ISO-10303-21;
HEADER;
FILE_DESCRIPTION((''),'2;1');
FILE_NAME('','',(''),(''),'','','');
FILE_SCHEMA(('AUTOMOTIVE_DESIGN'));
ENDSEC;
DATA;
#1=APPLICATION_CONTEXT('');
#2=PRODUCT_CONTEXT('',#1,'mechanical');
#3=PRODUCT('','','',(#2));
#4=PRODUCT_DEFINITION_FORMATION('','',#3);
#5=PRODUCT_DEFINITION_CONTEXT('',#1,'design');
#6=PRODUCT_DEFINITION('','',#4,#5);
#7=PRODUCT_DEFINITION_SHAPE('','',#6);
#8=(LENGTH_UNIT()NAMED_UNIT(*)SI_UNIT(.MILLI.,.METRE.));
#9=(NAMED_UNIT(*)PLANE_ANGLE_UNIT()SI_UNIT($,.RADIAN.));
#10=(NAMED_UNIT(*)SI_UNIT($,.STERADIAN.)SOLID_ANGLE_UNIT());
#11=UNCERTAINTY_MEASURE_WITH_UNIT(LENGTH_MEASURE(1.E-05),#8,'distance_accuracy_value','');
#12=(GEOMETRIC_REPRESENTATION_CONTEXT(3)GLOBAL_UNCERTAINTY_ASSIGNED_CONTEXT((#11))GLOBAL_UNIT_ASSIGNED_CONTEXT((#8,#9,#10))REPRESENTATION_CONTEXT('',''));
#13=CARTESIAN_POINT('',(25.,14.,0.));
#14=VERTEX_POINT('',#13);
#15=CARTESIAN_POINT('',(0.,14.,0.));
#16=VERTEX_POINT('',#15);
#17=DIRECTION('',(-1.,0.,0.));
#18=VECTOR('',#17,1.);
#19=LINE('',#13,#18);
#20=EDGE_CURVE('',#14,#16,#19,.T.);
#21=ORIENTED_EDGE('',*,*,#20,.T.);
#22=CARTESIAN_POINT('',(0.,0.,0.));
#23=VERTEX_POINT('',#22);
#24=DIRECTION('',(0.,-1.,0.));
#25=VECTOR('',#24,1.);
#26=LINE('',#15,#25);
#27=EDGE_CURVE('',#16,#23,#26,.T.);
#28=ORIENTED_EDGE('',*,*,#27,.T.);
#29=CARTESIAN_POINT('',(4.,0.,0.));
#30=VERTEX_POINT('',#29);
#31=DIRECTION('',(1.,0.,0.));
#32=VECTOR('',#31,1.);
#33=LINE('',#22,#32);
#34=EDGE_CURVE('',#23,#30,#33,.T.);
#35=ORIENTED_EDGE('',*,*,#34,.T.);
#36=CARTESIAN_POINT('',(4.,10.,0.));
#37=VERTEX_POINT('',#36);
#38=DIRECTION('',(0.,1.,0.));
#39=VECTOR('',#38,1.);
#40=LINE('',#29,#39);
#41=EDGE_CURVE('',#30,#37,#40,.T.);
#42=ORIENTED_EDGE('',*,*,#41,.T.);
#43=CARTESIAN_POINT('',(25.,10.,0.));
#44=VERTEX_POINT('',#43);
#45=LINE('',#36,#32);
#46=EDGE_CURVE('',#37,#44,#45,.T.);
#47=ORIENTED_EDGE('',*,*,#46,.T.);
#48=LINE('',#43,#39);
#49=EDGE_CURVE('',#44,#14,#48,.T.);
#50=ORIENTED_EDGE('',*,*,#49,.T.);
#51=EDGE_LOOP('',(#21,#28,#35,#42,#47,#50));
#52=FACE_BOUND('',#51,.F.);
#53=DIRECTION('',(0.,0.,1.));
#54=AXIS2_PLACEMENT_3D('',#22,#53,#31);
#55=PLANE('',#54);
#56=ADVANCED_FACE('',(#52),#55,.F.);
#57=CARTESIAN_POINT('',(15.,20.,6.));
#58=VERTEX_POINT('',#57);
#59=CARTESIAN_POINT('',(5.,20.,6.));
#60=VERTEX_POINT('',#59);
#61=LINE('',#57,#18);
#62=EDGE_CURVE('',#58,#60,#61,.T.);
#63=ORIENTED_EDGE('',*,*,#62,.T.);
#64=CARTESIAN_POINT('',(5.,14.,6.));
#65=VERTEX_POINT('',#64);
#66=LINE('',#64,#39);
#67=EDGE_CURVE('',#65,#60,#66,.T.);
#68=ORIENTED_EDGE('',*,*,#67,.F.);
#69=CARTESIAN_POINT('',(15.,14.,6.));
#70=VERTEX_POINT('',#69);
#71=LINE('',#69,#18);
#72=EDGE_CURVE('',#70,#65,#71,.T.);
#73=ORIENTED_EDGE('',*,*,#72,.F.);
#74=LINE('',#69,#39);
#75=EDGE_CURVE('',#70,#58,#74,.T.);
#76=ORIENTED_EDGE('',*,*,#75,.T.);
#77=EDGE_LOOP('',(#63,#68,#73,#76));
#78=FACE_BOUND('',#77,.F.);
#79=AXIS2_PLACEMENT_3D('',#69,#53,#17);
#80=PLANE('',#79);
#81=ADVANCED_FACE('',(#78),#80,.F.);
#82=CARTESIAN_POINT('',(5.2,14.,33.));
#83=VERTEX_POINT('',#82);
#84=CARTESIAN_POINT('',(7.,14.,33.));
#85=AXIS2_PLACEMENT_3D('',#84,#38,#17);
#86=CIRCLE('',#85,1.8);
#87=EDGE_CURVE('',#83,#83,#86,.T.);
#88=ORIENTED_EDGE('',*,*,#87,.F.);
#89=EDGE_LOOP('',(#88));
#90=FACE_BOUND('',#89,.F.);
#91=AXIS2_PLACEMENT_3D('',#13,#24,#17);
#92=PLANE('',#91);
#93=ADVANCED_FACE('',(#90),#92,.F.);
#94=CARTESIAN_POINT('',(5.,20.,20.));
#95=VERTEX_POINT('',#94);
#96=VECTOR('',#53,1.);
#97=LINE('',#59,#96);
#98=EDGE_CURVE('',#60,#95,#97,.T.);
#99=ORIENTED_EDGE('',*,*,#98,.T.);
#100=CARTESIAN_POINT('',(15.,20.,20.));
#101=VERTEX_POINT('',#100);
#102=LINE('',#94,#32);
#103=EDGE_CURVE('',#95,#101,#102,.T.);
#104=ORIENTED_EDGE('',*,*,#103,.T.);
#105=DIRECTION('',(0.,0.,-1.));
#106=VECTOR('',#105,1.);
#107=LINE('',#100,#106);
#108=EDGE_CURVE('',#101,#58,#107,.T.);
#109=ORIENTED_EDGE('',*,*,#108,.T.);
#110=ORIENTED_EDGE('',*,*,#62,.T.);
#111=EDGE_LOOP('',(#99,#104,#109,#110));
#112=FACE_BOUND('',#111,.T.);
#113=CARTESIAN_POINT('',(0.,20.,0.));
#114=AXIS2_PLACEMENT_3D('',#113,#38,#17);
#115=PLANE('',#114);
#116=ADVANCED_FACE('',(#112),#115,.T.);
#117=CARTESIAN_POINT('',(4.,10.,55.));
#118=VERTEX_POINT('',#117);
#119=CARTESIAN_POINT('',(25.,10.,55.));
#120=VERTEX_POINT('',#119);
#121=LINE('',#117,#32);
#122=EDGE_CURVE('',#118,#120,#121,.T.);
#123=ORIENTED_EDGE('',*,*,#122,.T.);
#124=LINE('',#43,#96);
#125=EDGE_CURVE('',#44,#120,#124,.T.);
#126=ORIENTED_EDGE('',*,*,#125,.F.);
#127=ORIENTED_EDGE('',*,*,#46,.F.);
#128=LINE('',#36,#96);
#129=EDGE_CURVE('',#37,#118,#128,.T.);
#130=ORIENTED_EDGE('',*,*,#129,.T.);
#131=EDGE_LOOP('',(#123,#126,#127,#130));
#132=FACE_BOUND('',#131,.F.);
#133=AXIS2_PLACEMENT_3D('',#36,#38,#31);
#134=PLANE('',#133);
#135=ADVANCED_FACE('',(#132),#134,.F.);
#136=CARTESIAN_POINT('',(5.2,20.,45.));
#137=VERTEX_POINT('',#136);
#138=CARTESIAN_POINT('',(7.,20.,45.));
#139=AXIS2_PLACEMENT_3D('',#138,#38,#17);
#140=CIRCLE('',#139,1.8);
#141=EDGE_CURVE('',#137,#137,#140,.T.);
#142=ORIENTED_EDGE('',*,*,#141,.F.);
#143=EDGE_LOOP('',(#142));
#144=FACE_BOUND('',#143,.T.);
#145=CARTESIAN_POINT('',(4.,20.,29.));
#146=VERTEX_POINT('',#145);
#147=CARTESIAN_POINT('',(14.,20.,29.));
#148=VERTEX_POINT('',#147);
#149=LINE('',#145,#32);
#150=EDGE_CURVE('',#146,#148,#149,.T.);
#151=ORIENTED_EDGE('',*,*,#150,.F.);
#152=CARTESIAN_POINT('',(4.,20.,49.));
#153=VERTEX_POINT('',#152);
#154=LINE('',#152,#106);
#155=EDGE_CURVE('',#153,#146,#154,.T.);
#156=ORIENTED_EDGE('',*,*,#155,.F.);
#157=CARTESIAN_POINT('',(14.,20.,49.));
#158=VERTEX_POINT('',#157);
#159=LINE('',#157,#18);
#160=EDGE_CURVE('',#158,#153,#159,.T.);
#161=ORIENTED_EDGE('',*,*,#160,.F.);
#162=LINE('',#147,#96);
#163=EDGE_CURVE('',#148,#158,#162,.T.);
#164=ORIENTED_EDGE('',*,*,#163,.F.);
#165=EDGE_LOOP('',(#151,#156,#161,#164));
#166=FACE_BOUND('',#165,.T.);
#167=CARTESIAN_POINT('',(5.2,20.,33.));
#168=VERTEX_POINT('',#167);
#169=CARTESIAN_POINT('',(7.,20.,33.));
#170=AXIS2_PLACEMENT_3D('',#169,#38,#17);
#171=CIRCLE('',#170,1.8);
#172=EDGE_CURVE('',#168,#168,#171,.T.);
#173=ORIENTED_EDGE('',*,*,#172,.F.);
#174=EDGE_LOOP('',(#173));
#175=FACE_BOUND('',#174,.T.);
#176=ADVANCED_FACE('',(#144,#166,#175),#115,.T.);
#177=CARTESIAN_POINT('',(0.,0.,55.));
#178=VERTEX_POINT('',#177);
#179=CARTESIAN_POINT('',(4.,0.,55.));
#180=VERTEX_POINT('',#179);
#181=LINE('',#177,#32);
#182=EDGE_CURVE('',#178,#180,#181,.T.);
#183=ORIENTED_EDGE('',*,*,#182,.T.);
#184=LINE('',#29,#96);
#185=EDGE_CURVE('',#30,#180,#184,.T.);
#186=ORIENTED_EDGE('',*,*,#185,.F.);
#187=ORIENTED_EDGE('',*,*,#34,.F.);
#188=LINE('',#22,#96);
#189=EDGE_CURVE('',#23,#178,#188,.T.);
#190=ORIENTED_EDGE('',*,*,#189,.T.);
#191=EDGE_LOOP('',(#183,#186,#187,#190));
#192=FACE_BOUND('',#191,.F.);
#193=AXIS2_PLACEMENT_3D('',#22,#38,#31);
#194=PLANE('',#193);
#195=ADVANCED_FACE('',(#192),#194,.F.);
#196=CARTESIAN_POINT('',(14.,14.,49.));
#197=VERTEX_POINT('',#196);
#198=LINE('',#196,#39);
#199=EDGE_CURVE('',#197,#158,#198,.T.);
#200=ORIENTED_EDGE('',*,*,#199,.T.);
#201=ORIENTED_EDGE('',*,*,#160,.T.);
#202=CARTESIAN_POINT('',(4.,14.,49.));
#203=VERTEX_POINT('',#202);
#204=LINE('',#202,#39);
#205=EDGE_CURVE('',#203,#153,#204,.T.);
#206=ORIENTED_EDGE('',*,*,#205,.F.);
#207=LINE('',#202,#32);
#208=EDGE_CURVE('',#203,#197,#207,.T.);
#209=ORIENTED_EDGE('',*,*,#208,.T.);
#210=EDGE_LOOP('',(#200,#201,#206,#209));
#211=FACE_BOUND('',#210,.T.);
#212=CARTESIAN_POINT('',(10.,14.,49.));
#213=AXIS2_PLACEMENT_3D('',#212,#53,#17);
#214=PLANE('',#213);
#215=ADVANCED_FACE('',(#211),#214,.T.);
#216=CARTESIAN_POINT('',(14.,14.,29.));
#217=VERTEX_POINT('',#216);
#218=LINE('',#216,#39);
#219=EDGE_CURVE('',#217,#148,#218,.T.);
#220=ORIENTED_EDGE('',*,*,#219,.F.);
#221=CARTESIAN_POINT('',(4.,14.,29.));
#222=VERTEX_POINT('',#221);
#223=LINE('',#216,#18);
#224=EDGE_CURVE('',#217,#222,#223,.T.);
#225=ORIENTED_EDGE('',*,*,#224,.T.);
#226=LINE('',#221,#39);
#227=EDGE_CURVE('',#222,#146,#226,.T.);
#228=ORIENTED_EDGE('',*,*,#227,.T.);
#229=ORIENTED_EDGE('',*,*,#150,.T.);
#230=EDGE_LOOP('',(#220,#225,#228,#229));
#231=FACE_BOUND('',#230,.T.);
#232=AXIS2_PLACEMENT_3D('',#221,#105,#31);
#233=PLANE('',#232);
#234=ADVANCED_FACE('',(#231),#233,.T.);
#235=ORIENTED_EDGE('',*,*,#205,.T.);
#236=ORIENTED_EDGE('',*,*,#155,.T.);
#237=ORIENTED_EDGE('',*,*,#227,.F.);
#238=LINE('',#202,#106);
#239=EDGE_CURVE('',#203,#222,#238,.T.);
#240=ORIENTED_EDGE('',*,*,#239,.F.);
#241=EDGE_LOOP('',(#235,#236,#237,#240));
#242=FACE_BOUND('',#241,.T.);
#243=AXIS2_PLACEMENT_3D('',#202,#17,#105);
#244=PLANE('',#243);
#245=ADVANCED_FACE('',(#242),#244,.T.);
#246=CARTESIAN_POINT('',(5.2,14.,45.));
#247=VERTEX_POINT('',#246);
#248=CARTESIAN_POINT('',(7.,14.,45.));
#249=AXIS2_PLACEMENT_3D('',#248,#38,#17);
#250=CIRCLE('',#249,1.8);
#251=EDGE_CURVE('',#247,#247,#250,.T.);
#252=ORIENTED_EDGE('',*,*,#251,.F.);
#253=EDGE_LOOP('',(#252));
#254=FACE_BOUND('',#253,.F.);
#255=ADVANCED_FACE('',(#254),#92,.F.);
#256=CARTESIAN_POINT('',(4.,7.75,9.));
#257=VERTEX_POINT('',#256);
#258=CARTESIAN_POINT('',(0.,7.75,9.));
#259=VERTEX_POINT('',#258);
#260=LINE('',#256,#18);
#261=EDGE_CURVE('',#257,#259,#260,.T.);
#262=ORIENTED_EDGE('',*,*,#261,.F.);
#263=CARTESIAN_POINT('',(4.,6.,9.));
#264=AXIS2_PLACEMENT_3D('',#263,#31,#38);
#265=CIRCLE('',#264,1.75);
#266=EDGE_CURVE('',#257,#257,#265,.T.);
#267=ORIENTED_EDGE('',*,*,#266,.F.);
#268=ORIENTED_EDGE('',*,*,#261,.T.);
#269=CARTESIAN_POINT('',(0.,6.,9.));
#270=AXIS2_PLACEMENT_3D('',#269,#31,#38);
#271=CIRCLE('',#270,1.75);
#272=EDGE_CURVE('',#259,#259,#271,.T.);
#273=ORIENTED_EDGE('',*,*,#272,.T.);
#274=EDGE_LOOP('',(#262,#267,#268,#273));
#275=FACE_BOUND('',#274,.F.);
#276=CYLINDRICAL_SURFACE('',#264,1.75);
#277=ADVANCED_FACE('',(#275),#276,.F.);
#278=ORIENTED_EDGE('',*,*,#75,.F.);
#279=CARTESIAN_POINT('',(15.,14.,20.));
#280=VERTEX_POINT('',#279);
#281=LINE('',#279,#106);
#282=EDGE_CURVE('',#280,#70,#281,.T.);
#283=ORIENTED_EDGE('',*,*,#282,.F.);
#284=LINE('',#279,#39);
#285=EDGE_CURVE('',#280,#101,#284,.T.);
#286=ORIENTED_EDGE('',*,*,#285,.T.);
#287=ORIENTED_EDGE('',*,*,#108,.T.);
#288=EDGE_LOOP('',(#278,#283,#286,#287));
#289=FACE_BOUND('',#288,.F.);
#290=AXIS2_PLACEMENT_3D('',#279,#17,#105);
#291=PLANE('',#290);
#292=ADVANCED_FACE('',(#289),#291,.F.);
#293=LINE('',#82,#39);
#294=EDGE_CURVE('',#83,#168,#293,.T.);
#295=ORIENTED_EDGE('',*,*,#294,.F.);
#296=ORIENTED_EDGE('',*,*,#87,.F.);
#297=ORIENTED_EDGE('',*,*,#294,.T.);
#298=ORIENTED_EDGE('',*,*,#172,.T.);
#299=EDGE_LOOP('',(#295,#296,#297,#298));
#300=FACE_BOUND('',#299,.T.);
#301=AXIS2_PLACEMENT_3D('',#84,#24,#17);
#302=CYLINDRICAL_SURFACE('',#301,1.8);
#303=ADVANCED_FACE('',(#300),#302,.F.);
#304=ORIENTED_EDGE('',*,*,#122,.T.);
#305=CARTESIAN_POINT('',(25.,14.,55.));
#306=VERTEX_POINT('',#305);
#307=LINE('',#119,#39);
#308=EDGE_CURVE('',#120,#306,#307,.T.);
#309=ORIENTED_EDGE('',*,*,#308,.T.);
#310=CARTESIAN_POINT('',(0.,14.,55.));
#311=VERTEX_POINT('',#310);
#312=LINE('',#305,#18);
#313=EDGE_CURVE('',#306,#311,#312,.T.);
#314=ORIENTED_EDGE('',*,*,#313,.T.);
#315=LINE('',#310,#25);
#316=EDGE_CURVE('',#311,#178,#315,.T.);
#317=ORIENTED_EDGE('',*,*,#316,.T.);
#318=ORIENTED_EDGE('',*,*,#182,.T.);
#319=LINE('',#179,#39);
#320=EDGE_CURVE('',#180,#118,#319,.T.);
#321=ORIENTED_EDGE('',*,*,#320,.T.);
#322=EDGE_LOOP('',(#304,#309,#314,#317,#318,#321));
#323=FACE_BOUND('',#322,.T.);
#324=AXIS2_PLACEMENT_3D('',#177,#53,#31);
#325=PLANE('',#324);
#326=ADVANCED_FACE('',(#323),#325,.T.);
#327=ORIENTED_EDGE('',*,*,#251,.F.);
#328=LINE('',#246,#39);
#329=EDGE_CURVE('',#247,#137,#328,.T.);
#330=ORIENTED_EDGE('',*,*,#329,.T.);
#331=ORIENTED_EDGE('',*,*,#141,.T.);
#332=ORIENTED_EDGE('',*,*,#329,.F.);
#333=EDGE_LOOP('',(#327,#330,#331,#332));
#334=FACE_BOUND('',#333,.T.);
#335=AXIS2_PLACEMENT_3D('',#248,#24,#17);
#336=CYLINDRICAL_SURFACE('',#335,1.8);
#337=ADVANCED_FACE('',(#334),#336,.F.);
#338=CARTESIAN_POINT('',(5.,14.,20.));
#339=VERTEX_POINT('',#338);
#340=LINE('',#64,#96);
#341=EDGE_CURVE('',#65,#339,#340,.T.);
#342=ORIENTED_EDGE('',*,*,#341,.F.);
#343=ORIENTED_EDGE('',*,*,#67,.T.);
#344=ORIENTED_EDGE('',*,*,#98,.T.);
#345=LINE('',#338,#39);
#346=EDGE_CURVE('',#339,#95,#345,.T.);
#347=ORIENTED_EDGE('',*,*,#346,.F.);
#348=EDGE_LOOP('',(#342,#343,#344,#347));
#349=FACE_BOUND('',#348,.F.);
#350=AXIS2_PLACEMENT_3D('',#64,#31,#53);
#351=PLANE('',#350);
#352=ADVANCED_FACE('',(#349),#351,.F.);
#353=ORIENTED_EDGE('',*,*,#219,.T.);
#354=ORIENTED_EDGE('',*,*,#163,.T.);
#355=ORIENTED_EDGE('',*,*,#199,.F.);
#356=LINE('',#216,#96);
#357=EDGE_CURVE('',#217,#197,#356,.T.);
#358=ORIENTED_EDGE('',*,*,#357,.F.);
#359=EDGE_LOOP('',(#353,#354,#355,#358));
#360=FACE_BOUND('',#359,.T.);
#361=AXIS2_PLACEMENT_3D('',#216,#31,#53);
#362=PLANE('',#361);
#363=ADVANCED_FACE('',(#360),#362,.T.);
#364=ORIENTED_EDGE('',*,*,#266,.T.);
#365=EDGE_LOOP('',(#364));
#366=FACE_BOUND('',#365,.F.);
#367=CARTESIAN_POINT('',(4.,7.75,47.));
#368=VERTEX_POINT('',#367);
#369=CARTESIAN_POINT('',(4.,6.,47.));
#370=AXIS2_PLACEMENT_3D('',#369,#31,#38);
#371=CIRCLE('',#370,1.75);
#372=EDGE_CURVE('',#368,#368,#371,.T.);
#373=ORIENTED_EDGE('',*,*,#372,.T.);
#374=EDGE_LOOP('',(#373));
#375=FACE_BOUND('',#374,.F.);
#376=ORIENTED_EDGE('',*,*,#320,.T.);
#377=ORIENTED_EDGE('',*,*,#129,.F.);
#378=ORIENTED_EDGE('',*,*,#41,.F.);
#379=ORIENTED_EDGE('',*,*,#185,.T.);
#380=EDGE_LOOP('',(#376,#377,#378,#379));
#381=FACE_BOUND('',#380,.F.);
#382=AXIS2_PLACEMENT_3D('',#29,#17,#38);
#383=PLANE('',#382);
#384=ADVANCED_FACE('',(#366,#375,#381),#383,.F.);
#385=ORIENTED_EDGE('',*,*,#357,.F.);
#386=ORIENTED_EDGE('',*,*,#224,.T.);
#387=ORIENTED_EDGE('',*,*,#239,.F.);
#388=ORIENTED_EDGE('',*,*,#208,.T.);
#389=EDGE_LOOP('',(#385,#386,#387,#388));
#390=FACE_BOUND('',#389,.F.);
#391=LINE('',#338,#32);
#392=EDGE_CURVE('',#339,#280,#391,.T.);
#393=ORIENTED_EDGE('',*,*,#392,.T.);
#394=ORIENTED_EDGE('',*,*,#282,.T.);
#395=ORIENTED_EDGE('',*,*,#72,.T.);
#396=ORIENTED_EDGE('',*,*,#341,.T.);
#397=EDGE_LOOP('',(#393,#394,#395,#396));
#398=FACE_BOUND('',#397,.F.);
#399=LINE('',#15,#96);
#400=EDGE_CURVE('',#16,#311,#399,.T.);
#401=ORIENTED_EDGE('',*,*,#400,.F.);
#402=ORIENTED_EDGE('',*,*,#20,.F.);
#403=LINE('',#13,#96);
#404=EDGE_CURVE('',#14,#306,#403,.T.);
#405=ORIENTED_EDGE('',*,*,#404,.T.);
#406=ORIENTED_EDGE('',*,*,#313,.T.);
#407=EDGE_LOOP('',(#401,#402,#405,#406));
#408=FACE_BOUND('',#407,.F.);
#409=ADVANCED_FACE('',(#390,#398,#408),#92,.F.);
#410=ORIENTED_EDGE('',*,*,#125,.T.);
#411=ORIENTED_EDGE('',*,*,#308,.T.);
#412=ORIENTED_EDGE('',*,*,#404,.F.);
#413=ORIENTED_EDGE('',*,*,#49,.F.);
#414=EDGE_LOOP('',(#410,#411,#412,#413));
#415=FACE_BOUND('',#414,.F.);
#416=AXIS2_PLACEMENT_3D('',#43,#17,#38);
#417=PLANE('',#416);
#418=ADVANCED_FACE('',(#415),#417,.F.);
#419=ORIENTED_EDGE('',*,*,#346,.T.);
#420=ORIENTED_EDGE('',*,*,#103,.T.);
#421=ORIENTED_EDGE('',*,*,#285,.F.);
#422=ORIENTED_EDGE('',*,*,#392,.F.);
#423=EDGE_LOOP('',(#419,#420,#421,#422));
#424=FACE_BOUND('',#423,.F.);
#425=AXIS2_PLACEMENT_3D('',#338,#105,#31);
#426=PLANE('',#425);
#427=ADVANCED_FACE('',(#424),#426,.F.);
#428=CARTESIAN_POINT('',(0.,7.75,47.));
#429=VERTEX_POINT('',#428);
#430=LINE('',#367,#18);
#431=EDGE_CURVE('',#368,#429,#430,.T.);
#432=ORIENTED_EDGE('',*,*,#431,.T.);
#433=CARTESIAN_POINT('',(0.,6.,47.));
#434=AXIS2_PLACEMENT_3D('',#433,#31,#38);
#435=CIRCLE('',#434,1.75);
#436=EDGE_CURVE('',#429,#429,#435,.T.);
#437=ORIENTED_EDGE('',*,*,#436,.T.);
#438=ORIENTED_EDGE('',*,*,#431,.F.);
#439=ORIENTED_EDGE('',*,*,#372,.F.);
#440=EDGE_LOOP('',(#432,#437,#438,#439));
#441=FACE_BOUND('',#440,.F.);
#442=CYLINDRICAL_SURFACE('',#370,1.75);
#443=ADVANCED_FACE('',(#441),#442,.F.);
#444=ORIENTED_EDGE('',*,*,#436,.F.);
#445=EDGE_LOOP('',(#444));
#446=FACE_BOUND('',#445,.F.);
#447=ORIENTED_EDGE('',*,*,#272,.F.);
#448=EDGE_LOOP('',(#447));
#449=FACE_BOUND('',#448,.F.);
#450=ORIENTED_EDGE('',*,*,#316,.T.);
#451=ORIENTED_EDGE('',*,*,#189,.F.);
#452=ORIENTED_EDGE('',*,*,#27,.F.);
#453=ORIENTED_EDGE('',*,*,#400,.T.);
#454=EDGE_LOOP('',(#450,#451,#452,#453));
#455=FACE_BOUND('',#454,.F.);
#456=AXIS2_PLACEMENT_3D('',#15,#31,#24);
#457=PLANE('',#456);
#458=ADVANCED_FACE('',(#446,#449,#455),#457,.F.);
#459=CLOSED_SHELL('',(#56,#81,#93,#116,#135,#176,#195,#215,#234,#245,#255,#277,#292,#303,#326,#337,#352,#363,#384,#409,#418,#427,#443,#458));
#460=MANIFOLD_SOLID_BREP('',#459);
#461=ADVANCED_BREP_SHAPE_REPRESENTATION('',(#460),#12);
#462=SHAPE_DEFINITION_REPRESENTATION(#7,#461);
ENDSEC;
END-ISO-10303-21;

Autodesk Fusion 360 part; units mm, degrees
sketch "Szkic3" plane through (0, 0, 0) normal (0, 0, 1) x (1, 0, 0)
  line L0 (0, 0) -> (4, 0)
  line L1 (4, 0) -> (4, 10)
  line L2 (4, 10) -> (25, 10)
  line L3 (25, 10) -> (25, 14)
  line L4 (25, 14) -> (0, 14)
  line L5 (0, 14) -> (0, 0)
extrude "Wyciągnięcie proste3" add sketch "Szkic3" along normal blind 55
sketch "Szkic4" plane through (4, 0, 0) normal (1, 0, 0) x (0, 1, 0)
  line L0 (0, 0) -> (10, 0)
  line L1 (10, 0) -> (10, 55)
  line L2 (10, 55) -> (0, 55)
  line L3 (0, 55) -> (0, 0)
  circle A0 centre (6, 9) radius 1.75
  circle A1 centre (6, 47) radius 1.75
  dimension "d19" = 38
  dimension "d20" = 3.5
  dimension "d21" = 3.5
extrude "Wyciągnięcie proste4" cut sketch "Szkic4" against normal blind 4 contours A0 | A1
sketch "Szkic5" plane through (25, 0, 0) normal (1, 0, 0) x (0, 1, 0)
  line L0 (10, 0) -> (14, 0)
  line L1 (14, 0) -> (14, 55)
  line L2 (14, 55) -> (10, 55)
  line L3 (10, 55) -> (10, 0)
  line L4 (14, 55) -> (0, 55)
  line L5 (0, 55) -> (0, 15)
  line L6 (0, 15) -> (14, 15)
  line L7 (14, 15) -> (14, 55)
  line L8 (14, 3) -> (0, 3)
  line L9 (0, 3) -> (0, 0)
  line L10 (0, 0) -> (14, 0)
  line L11 (14, 0) -> (14, 3)
sketch "Szkic6" plane through (0, 14, 0) normal (0, 1, 0) x (-1, 0, 0)
  line L0 (-25, 0) -> (0, 0)
  line L1 (0, 0) -> (0, 55)
  line L2 (0, 55) -> (-25, 55)
  line L3 (-25, 55) -> (-25, 0)
  line L4 (-10, 49) -> (-4, 49)
  line L5 (-4, 49) -> (-4, 29)
  line L6 (-4, 29) -> (-10, 29)
  circle A0 centre (-7, 45) radius 1.8
  line L7 (-5, 20) -> (-15, 20)
  line L8 (-15, 20) -> (-15, 6)
  line L9 (-15, 6) -> (-5, 6)
  line L10 (-5, 6) -> (-5, 20)
  line L11 (-10, 29) -> (-14, 29)
  line L12 (-14, 29) -> (-14, 49)
  line L13 (-14, 49) -> (-10, 49)
  circle A1 centre (-7, 33) radius 1.8
  dimension "d24" = 3.6
  dimension "d25" = 10
  dimension "d26" = 14
  dimension "d27" = 3.6
extrude "Wyciągnięcie proste5" add sketch "Szkic6" along normal blind 6 contours L4 L5 L6 L11 L12 L13 | L7 L8 L9 L10
